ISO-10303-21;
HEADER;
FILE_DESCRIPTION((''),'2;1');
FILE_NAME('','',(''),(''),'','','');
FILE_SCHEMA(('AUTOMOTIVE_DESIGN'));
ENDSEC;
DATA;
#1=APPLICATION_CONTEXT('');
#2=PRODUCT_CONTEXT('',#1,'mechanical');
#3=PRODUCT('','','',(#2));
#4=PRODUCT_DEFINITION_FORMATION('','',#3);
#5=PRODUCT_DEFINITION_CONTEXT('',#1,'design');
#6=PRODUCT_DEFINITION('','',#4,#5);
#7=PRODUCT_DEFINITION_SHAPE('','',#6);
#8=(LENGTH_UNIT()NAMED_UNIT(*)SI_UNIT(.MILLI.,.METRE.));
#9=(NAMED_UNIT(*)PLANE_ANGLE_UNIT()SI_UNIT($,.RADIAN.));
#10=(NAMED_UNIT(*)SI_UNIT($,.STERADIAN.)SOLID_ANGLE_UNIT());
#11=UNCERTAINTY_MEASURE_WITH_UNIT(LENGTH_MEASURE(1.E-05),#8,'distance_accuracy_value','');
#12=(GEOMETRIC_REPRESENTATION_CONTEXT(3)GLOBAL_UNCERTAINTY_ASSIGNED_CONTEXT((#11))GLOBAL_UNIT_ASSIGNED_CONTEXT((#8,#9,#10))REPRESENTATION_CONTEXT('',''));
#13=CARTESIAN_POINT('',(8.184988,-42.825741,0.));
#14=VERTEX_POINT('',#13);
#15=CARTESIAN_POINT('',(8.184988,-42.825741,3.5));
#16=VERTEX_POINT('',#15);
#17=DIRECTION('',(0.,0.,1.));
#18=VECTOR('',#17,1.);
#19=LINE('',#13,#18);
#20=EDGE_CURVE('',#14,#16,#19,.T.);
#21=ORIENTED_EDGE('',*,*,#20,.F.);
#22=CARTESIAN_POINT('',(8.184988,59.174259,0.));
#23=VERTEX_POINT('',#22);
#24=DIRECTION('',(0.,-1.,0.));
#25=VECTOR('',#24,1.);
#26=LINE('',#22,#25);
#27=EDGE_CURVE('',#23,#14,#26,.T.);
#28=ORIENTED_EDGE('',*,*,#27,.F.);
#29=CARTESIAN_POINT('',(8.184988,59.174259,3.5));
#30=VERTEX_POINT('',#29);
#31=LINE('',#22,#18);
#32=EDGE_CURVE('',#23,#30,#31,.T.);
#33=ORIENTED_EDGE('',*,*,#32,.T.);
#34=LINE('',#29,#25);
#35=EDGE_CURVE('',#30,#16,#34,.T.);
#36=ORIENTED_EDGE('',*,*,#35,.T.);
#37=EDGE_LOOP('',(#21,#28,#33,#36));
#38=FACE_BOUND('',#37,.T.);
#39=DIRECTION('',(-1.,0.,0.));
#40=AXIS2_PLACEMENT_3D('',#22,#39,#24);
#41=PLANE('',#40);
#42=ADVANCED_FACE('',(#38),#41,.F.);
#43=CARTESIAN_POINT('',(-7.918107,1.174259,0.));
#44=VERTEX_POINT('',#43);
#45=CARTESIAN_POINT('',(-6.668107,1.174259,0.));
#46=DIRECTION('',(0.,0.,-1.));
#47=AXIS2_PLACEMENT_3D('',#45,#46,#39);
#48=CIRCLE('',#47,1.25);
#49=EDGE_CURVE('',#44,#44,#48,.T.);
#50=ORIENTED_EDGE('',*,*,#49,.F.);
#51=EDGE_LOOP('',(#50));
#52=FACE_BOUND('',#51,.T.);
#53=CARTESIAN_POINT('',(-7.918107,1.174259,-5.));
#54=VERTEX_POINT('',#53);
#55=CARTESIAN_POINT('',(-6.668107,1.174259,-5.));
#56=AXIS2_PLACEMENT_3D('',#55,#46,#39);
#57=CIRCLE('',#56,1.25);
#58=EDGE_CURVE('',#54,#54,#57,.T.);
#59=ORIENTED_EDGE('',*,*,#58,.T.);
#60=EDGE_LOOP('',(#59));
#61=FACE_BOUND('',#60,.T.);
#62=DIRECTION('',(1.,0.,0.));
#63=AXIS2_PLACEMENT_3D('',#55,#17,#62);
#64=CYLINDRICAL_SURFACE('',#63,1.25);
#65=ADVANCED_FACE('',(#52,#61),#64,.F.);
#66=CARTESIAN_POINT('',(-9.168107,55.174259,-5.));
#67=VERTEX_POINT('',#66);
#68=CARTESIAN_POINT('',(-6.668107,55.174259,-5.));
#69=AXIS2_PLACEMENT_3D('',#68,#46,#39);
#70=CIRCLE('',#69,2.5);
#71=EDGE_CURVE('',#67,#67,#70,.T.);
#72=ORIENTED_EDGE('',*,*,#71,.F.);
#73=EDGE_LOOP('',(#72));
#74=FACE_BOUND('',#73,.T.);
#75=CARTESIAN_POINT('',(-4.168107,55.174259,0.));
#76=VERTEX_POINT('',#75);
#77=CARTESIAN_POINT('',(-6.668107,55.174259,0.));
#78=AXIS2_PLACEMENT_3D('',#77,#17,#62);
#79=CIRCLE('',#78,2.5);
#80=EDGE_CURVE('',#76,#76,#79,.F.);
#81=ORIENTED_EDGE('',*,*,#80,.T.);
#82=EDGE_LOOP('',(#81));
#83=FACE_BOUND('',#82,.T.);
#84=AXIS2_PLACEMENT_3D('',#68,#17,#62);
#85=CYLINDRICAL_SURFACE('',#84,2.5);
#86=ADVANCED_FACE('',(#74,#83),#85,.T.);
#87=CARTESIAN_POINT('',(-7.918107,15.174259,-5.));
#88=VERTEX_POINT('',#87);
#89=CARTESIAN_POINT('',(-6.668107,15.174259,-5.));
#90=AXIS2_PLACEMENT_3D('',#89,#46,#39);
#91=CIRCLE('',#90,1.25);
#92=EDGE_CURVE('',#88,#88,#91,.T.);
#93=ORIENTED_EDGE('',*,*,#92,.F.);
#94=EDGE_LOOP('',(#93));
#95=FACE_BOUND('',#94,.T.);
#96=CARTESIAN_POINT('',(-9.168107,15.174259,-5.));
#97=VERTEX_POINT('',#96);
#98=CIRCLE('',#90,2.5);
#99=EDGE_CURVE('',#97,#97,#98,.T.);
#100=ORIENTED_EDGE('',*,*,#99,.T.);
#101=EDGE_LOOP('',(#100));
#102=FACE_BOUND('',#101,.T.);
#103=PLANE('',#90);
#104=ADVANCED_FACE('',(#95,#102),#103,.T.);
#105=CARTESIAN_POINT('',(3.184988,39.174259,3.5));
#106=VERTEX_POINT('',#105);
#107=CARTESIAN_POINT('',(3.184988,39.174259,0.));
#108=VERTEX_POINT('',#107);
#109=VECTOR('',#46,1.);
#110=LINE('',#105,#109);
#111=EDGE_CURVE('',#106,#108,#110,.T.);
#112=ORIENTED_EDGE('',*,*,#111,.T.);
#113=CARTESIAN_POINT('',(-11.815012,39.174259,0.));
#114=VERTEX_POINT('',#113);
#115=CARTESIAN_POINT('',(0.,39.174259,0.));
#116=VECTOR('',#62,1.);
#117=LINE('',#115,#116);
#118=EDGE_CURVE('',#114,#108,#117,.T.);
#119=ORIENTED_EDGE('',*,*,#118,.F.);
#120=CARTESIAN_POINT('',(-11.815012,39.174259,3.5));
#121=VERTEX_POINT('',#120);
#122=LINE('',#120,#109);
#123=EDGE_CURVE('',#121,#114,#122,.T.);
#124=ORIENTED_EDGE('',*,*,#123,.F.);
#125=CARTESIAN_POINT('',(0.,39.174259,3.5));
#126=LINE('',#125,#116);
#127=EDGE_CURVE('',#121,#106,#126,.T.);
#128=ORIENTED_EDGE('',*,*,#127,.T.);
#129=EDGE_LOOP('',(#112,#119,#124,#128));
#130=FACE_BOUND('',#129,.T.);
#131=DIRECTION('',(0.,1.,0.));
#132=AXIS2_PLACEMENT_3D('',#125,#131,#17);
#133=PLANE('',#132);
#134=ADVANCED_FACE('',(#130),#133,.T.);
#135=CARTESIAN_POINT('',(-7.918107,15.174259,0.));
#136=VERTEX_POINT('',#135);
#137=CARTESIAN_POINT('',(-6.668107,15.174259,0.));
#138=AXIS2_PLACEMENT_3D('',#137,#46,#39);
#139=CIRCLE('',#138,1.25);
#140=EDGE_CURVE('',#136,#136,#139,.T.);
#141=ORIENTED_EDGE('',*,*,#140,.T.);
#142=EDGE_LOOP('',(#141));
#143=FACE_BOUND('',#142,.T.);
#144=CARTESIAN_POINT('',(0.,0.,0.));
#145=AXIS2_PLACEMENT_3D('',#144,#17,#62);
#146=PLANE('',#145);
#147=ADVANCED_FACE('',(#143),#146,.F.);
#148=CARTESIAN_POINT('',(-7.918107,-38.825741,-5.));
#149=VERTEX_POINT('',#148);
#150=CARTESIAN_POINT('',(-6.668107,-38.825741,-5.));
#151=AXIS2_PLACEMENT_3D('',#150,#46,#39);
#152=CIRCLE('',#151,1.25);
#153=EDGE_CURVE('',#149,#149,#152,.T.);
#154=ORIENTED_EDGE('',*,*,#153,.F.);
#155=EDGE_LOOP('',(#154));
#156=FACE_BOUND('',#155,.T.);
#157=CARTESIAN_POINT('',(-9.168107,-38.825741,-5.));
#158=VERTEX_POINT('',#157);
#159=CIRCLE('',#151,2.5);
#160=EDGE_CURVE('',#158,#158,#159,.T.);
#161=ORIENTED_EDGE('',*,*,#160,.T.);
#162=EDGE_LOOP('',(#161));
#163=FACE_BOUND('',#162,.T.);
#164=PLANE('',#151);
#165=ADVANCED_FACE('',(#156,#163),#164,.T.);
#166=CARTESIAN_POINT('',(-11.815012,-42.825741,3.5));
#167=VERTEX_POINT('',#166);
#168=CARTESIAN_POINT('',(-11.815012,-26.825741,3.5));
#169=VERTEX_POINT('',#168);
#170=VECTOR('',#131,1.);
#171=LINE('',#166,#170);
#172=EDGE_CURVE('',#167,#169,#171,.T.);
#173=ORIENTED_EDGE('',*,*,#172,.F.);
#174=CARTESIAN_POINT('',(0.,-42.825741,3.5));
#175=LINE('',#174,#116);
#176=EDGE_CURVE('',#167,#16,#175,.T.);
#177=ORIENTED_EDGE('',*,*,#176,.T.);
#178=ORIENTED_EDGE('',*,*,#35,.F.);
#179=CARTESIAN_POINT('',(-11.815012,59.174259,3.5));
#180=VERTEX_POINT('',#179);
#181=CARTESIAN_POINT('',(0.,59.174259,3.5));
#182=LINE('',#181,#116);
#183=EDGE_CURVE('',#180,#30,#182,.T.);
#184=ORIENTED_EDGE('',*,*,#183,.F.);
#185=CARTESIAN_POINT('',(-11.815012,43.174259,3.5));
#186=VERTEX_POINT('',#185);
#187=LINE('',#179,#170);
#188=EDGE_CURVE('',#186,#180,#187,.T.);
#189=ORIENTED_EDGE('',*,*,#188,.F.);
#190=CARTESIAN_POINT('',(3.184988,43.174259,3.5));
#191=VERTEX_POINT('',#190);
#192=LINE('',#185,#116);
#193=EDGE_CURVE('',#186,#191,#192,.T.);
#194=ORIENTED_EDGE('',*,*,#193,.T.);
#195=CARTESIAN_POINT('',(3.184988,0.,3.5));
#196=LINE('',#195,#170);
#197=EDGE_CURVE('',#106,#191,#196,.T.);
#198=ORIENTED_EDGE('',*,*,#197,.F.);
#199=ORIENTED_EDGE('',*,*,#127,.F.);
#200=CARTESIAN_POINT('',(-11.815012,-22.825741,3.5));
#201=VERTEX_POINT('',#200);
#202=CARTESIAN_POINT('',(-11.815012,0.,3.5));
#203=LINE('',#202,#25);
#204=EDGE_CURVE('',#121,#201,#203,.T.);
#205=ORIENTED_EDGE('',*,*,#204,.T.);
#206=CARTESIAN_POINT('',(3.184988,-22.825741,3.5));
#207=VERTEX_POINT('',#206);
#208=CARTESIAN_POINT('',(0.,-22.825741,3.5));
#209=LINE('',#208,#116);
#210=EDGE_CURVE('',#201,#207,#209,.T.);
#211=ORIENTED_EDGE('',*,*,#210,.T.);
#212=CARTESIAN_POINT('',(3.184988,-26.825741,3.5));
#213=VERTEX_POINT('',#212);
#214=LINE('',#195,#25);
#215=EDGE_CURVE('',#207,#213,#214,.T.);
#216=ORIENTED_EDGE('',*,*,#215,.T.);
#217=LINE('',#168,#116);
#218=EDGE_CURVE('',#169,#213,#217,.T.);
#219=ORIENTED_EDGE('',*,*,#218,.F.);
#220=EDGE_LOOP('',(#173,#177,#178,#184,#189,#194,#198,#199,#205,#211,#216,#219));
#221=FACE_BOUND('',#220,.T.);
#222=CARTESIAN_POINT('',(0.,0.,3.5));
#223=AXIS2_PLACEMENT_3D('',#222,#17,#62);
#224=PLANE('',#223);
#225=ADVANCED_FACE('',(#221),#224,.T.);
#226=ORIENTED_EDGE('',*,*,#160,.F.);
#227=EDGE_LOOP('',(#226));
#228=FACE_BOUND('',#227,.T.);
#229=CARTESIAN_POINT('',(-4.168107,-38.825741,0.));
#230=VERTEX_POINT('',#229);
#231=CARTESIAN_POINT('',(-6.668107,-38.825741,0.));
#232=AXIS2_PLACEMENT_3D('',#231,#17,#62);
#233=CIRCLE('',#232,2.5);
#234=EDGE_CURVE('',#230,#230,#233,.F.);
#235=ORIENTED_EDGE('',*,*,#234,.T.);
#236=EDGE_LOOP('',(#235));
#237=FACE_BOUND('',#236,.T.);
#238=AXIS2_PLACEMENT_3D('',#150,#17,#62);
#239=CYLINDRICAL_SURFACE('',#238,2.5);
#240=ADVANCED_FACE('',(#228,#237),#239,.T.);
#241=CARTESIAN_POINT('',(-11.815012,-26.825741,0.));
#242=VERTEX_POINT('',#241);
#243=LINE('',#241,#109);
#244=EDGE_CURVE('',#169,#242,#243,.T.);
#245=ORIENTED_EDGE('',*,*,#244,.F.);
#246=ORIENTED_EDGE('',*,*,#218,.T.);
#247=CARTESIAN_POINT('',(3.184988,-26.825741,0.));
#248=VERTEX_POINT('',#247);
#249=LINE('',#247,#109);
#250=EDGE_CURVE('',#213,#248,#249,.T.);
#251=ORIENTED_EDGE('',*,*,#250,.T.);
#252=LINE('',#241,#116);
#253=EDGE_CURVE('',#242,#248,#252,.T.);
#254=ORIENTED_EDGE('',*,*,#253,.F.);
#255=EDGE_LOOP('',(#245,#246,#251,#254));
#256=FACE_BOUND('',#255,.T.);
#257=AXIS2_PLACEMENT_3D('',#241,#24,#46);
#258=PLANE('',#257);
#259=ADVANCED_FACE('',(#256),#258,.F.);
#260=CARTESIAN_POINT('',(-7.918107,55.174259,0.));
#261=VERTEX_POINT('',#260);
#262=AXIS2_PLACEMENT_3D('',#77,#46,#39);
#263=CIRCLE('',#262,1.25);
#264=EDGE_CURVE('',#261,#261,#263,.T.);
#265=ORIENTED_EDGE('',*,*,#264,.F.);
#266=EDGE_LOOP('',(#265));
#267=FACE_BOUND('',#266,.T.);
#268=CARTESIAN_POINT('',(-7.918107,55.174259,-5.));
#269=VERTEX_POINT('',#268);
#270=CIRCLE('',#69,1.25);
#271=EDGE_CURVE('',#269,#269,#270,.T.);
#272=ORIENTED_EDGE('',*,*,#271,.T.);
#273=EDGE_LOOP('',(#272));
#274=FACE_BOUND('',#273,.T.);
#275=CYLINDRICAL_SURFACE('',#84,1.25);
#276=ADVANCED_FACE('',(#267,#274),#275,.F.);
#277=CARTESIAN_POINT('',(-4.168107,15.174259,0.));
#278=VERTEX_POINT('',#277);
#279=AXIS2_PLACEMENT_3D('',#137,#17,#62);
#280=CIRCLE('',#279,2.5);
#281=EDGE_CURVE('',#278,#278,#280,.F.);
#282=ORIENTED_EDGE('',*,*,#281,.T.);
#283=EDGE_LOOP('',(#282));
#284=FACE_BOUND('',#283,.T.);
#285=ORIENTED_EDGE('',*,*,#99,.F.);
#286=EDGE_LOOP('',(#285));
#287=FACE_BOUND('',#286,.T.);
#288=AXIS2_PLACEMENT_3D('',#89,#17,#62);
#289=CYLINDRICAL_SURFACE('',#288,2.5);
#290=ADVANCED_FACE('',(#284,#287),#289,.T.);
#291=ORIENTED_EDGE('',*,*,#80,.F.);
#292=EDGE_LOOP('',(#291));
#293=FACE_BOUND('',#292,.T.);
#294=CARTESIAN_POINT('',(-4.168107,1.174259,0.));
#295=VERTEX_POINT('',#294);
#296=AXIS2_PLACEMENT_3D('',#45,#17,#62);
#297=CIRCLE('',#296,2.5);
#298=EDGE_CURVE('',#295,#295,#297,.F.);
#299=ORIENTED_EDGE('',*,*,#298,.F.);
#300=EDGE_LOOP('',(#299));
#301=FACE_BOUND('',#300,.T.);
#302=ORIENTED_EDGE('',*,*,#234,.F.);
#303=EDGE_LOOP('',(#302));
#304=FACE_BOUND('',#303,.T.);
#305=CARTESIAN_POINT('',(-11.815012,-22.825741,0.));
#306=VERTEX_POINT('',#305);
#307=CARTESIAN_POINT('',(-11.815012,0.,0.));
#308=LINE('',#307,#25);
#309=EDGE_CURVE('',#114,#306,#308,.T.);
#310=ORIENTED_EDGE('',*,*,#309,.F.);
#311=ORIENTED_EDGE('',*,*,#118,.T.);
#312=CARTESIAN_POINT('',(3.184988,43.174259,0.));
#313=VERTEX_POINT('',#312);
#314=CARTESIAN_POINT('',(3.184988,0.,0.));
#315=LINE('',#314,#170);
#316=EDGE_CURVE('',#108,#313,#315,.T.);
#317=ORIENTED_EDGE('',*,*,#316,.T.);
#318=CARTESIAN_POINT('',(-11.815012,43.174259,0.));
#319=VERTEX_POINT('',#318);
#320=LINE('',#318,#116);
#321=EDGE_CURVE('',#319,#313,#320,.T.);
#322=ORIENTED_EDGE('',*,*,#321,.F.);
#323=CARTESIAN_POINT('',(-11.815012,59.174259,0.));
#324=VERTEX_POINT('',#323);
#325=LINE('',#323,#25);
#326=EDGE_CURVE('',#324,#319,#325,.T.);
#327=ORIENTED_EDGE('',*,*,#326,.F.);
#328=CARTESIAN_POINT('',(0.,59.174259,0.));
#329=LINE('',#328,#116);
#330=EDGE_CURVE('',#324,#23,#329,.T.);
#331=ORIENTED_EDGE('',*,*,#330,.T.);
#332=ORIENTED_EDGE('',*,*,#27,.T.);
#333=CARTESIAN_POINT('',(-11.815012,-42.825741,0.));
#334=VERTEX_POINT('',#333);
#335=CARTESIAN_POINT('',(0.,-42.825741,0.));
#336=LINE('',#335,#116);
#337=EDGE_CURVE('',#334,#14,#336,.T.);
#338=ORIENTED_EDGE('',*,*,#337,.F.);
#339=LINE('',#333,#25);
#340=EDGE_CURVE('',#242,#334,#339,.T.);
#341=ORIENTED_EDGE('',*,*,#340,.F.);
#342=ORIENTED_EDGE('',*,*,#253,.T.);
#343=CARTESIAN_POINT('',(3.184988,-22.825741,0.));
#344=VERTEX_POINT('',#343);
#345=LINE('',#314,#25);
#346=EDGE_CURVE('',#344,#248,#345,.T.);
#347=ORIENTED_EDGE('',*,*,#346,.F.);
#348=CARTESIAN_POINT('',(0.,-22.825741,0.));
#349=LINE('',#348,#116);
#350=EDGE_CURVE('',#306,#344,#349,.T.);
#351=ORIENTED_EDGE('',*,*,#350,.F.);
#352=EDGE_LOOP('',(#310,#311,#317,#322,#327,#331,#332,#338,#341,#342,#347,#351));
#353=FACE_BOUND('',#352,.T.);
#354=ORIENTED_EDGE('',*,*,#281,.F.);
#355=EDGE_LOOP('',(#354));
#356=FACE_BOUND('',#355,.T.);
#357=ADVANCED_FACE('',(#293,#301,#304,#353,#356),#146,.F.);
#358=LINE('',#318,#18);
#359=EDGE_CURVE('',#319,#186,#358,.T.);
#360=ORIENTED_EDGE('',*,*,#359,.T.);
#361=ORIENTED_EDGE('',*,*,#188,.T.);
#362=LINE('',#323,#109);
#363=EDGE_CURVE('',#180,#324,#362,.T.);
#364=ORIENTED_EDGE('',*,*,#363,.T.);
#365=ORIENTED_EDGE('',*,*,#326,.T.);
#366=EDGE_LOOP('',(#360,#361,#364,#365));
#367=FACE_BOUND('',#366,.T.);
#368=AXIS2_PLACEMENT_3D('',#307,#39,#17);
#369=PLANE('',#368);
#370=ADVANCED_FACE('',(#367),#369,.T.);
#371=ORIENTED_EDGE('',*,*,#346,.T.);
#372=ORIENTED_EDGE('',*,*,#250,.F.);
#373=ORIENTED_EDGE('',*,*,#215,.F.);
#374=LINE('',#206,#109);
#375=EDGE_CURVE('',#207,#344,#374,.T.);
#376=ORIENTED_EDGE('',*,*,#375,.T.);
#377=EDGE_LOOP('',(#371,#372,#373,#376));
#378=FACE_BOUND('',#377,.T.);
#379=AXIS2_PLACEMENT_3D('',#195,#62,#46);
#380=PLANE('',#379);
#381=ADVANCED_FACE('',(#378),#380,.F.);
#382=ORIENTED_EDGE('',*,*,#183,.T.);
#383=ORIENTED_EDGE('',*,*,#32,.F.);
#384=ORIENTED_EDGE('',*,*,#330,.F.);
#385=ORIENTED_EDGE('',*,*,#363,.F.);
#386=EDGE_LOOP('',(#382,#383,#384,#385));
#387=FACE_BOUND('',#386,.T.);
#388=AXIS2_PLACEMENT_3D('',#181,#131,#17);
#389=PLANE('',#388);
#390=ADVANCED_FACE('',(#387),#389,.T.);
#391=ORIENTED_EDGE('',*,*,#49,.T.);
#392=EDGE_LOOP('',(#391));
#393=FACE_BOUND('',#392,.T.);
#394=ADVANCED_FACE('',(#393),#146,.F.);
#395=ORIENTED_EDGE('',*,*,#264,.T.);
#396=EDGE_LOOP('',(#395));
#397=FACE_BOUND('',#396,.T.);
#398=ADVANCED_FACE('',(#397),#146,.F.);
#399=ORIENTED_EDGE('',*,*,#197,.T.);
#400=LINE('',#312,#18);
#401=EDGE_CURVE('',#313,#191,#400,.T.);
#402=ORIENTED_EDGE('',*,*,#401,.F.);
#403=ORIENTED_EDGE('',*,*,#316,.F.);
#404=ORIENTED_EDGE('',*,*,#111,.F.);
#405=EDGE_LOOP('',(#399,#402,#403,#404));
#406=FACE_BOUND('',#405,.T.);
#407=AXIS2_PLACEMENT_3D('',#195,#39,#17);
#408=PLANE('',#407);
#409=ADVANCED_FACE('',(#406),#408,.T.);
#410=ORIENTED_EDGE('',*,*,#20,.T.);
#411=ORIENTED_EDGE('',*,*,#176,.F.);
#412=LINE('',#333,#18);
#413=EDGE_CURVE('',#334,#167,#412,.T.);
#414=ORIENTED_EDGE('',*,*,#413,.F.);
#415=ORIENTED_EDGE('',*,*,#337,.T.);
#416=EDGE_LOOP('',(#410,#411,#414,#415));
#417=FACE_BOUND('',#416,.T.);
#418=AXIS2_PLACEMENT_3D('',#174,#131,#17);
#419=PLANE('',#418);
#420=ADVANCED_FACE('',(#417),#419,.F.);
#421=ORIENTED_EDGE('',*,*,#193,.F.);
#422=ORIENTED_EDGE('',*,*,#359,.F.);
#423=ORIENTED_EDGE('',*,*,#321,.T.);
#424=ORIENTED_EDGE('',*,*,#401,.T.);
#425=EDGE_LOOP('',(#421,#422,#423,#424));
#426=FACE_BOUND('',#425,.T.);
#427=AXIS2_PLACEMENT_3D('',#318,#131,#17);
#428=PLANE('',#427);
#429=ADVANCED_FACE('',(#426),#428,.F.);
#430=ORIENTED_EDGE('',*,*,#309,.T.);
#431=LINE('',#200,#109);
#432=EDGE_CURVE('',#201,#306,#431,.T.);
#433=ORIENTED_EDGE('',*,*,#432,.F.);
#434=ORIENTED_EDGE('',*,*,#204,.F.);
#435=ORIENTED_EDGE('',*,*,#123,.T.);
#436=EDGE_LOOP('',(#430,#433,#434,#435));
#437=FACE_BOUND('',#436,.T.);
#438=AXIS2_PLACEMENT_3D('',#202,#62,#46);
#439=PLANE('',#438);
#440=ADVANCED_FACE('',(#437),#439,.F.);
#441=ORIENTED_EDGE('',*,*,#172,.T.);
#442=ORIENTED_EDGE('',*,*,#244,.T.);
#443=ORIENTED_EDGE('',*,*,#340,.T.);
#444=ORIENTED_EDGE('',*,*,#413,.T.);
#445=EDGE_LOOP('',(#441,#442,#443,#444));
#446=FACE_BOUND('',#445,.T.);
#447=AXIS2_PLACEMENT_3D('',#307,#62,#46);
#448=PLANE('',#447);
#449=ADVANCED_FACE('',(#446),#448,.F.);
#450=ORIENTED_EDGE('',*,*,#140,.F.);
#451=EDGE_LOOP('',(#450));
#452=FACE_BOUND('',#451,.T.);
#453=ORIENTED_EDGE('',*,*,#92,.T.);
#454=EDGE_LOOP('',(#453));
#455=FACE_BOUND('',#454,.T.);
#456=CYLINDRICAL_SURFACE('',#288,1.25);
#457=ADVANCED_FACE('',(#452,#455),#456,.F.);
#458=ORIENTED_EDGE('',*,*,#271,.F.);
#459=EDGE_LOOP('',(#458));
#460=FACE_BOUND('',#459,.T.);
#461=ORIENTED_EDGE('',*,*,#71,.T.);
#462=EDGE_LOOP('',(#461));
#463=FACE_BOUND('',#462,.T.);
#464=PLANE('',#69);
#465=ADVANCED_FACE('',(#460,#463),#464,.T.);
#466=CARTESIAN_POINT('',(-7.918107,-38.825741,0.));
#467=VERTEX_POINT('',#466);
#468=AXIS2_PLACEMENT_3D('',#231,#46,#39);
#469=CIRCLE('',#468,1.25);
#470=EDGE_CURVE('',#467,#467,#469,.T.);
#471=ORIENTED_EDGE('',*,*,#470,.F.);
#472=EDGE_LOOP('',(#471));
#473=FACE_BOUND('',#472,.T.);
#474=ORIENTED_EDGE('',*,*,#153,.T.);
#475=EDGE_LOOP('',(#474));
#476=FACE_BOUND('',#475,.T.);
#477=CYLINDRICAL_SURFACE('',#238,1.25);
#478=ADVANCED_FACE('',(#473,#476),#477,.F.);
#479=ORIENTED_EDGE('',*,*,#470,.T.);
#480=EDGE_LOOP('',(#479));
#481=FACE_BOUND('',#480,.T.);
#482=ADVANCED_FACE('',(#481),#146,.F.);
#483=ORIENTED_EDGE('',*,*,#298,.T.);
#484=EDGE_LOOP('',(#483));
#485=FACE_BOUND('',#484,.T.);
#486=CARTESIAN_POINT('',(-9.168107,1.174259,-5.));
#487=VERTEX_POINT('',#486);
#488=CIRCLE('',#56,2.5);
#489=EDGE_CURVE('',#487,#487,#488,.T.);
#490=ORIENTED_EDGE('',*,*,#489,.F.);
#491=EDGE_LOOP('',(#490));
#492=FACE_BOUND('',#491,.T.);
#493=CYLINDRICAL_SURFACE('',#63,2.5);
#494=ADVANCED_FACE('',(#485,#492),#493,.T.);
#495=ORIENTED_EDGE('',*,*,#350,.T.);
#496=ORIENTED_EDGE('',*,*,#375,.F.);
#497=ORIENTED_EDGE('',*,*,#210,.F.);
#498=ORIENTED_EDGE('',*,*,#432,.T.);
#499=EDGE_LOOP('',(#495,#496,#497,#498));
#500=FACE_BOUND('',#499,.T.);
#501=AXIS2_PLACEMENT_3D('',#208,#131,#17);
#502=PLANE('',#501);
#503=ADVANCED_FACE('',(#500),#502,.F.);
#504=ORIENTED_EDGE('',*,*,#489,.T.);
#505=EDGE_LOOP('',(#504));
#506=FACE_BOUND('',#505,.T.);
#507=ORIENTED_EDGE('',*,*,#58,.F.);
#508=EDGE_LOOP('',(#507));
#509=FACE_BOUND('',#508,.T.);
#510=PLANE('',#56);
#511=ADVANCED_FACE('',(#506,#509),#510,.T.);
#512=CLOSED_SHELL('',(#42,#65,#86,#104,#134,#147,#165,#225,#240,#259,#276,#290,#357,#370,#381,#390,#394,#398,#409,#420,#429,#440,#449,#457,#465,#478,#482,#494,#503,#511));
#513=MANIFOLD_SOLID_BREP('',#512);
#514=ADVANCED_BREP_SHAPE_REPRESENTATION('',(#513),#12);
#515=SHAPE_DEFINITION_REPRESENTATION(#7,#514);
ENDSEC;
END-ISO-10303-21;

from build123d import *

# Parameters (mm, degrees)
EXTRUDE_1_DEPTH     = 3.5
SKETCH_2_W          = 60
SKETCH_2_H          = 102
CUT_EXTRUDE_1_DEPTH = 3.5
SKETCH_7_W          = 3.5
SKETCH_7_H          = 16
EXTRUDE_3_DEPTH     = 15
SKETCH_6_R          = 2.5
SKETCH_6_R_2        = 1.25
EXTRUDE_2_DEPTH     = 5


with BuildPart() as part:
    # 草图1 → 凸台-拉伸1 (new body)
    with BuildSketch(Plane.XY):
        Polygon((68.184988255, 39.174258776), (68.184988255, -22.825741224), (68.184988255, -42.825741224), (3.184988255, -42.825741224), (3.184988255, -22.825741224), (-11.815011745, -22.825741224), (-11.815011745, 39.174258776), (3.184988255, 39.174258776), (3.184988255, 59.174258776), (68.184988255, 59.174258776), align=None)
    extrude(amount=EXTRUDE_1_DEPTH)

    # 草图2 → 切除-拉伸1 (cut)
    with BuildSketch(Plane.XY.offset(3.5)):
        with Locations((38.184988255, 8.174258776)):
            Rectangle(SKETCH_2_W, SKETCH_2_H)
    extrude(amount=-CUT_EXTRUDE_1_DEPTH, mode=Mode.SUBTRACT)

    # 草图7 → 凸台-拉伸3 (add)
    with BuildSketch(Plane.ZY.offset(-3.184988255)):
        with Locations((1.75, 51.174258776)):
            Rectangle(SKETCH_7_W, SKETCH_7_H)
        with Locations((1.75, -34.825741224)):
            Rectangle(SKETCH_7_W, SKETCH_7_H)
    extrude(amount=EXTRUDE_3_DEPTH)

    # 草图6 → 凸台-拉伸2 (add)
    # profile 1 of 4: a face of its own
    with BuildSketch(Plane(origin=(0, 0, 0), x_dir=(-1, 0, 0), z_dir=(0, 0, -1))):
        with Locations(Location((6.668106828, -38.825741224, 0), (0, 0, 180))):
            Circle(SKETCH_6_R)
        with Locations((6.668106828, -38.825741224)):
            Circle(SKETCH_6_R_2, mode=Mode.SUBTRACT)
    # profile 2 of 4: a face of its own
    with BuildSketch(Plane(origin=(0, 0, 0), x_dir=(-1, 0, 0), z_dir=(0, 0, -1))):
        with Locations(Location((6.668106828, 1.174258776, 0), (0, 0, 180))):
            Circle(SKETCH_6_R)
        with Locations((6.668106828, 1.174258776)):
            Circle(SKETCH_6_R_2, mode=Mode.SUBTRACT)
    # profile 3 of 4: a face of its own
    with BuildSketch(Plane(origin=(0, 0, 0), x_dir=(-1, 0, 0), z_dir=(0, 0, -1))):
        with Locations(Location((6.668106828, 15.174258776, 0), (0, 0, 180))):
            Circle(SKETCH_6_R)
        with Locations((6.668106828, 15.174258776)):
            Circle(SKETCH_6_R_2, mode=Mode.SUBTRACT)
    # profile 4 of 4: a face of its own
    with BuildSketch(Plane(origin=(0, 0, 0), x_dir=(-1, 0, 0), z_dir=(0, 0, -1))):
        with Locations(Location((6.668106828, 55.174258776, 0), (0, 0, 180))):
            Circle(SKETCH_6_R)
        with Locations((6.668106828, 55.174258776)):
            Circle(SKETCH_6_R_2, mode=Mode.SUBTRACT)
    extrude(amount=EXTRUDE_2_DEPTH)


solid = part.part
